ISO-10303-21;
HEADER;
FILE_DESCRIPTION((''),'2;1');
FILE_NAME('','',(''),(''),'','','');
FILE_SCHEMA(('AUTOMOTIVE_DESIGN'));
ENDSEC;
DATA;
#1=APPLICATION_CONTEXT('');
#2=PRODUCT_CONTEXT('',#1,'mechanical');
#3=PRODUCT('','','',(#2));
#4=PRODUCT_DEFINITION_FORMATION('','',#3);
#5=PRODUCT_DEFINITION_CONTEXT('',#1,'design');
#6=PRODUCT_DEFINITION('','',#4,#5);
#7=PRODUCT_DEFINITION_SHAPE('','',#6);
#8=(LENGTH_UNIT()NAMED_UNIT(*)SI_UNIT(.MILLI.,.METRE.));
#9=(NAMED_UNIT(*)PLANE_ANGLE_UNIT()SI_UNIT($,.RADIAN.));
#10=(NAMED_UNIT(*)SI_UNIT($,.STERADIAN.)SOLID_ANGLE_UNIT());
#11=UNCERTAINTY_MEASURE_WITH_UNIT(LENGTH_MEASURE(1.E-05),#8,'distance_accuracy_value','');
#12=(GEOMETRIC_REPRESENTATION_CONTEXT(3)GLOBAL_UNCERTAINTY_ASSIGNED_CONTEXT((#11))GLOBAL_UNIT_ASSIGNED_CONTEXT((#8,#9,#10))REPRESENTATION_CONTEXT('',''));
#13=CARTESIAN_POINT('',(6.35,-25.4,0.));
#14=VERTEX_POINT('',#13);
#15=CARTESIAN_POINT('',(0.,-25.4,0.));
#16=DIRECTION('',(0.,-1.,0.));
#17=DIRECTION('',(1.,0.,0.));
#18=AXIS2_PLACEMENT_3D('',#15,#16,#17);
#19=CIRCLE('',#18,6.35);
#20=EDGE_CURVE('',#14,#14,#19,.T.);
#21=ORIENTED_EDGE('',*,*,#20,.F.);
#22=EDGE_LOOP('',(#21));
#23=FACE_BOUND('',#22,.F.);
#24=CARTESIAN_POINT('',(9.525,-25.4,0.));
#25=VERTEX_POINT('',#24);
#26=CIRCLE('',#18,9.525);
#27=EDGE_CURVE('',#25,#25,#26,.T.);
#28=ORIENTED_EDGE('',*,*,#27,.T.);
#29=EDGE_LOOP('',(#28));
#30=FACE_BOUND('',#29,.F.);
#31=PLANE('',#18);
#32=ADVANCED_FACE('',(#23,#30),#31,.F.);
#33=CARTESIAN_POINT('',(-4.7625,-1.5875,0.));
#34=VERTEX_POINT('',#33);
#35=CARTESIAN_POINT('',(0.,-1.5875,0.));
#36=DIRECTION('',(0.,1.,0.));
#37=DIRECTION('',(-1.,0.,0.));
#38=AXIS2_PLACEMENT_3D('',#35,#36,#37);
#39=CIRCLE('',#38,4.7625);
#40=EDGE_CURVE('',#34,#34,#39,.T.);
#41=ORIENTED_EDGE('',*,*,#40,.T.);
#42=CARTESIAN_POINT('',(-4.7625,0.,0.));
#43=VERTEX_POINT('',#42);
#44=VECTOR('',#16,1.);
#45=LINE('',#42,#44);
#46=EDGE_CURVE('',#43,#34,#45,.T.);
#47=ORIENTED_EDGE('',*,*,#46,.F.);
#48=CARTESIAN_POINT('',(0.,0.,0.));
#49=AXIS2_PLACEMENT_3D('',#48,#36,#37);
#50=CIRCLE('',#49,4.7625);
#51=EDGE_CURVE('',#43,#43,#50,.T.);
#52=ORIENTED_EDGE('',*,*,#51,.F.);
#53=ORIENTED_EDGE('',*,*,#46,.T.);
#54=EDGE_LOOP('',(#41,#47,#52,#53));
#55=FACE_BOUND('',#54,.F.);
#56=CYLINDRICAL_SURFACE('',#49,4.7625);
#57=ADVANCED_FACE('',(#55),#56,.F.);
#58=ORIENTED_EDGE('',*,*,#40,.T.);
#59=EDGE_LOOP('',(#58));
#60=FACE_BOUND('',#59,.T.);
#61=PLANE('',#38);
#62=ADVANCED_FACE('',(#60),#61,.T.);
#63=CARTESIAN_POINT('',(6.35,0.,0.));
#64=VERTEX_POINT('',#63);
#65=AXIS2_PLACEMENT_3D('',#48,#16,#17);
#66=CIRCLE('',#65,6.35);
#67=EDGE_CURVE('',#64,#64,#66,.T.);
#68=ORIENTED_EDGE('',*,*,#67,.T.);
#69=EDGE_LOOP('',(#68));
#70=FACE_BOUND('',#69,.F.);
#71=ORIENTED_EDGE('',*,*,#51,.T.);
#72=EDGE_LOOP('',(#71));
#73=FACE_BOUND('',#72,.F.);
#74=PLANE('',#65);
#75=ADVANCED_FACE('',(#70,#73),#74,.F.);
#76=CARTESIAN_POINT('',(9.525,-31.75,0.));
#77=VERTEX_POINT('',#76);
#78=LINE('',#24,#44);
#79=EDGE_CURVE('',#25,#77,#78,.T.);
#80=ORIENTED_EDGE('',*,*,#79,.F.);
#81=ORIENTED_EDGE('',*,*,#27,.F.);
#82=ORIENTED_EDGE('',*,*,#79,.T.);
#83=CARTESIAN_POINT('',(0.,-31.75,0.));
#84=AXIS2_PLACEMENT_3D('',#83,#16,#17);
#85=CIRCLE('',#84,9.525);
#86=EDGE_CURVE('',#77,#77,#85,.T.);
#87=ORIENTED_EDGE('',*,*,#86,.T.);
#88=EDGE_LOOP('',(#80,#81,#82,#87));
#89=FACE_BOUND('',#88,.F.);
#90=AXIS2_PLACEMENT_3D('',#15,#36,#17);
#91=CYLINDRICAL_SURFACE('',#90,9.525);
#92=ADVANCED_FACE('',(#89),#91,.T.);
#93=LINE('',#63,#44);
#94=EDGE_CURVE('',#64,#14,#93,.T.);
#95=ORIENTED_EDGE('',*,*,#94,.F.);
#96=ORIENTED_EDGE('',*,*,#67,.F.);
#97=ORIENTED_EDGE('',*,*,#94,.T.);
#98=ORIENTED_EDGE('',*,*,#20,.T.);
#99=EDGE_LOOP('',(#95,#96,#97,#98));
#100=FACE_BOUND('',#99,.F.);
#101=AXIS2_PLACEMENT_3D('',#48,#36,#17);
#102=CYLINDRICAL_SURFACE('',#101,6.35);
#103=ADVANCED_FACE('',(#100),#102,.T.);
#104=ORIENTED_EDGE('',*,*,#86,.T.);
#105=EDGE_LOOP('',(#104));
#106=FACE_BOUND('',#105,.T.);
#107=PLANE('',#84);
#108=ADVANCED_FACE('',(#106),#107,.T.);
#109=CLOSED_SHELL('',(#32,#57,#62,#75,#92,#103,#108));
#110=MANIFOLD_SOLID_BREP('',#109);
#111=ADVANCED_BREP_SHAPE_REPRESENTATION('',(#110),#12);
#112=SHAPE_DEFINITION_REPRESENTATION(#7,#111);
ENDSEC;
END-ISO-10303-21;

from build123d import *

# Parameters (mm, degrees)
F0_R     = 6.35
F1_DEPTH = 25.4
F2_R     = 4.7625
F3_DEPTH = 1.5875
F4_R     = 9.525
F5_DEPTH = 6.35


with BuildPart() as f1:
    # F0 (on Front) → F1 (new body)
    with BuildSketch(Plane.XZ):
        Circle(F0_R)
    extrude(amount=F1_DEPTH)

    # F2 (on face) → F3 (cut)
    with BuildSketch(Plane(origin=(0, 0, 0), x_dir=(-1, 0, 0), z_dir=(0, 1, 0))):
        Circle(F2_R)
    extrude(amount=-F3_DEPTH, mode=Mode.SUBTRACT)

    # F4 (on face) → F5 (join)
    with BuildSketch(Plane.XZ.offset(25.4)):
        Circle(F4_R)
    extrude(amount=F5_DEPTH)


solid = f1.part
